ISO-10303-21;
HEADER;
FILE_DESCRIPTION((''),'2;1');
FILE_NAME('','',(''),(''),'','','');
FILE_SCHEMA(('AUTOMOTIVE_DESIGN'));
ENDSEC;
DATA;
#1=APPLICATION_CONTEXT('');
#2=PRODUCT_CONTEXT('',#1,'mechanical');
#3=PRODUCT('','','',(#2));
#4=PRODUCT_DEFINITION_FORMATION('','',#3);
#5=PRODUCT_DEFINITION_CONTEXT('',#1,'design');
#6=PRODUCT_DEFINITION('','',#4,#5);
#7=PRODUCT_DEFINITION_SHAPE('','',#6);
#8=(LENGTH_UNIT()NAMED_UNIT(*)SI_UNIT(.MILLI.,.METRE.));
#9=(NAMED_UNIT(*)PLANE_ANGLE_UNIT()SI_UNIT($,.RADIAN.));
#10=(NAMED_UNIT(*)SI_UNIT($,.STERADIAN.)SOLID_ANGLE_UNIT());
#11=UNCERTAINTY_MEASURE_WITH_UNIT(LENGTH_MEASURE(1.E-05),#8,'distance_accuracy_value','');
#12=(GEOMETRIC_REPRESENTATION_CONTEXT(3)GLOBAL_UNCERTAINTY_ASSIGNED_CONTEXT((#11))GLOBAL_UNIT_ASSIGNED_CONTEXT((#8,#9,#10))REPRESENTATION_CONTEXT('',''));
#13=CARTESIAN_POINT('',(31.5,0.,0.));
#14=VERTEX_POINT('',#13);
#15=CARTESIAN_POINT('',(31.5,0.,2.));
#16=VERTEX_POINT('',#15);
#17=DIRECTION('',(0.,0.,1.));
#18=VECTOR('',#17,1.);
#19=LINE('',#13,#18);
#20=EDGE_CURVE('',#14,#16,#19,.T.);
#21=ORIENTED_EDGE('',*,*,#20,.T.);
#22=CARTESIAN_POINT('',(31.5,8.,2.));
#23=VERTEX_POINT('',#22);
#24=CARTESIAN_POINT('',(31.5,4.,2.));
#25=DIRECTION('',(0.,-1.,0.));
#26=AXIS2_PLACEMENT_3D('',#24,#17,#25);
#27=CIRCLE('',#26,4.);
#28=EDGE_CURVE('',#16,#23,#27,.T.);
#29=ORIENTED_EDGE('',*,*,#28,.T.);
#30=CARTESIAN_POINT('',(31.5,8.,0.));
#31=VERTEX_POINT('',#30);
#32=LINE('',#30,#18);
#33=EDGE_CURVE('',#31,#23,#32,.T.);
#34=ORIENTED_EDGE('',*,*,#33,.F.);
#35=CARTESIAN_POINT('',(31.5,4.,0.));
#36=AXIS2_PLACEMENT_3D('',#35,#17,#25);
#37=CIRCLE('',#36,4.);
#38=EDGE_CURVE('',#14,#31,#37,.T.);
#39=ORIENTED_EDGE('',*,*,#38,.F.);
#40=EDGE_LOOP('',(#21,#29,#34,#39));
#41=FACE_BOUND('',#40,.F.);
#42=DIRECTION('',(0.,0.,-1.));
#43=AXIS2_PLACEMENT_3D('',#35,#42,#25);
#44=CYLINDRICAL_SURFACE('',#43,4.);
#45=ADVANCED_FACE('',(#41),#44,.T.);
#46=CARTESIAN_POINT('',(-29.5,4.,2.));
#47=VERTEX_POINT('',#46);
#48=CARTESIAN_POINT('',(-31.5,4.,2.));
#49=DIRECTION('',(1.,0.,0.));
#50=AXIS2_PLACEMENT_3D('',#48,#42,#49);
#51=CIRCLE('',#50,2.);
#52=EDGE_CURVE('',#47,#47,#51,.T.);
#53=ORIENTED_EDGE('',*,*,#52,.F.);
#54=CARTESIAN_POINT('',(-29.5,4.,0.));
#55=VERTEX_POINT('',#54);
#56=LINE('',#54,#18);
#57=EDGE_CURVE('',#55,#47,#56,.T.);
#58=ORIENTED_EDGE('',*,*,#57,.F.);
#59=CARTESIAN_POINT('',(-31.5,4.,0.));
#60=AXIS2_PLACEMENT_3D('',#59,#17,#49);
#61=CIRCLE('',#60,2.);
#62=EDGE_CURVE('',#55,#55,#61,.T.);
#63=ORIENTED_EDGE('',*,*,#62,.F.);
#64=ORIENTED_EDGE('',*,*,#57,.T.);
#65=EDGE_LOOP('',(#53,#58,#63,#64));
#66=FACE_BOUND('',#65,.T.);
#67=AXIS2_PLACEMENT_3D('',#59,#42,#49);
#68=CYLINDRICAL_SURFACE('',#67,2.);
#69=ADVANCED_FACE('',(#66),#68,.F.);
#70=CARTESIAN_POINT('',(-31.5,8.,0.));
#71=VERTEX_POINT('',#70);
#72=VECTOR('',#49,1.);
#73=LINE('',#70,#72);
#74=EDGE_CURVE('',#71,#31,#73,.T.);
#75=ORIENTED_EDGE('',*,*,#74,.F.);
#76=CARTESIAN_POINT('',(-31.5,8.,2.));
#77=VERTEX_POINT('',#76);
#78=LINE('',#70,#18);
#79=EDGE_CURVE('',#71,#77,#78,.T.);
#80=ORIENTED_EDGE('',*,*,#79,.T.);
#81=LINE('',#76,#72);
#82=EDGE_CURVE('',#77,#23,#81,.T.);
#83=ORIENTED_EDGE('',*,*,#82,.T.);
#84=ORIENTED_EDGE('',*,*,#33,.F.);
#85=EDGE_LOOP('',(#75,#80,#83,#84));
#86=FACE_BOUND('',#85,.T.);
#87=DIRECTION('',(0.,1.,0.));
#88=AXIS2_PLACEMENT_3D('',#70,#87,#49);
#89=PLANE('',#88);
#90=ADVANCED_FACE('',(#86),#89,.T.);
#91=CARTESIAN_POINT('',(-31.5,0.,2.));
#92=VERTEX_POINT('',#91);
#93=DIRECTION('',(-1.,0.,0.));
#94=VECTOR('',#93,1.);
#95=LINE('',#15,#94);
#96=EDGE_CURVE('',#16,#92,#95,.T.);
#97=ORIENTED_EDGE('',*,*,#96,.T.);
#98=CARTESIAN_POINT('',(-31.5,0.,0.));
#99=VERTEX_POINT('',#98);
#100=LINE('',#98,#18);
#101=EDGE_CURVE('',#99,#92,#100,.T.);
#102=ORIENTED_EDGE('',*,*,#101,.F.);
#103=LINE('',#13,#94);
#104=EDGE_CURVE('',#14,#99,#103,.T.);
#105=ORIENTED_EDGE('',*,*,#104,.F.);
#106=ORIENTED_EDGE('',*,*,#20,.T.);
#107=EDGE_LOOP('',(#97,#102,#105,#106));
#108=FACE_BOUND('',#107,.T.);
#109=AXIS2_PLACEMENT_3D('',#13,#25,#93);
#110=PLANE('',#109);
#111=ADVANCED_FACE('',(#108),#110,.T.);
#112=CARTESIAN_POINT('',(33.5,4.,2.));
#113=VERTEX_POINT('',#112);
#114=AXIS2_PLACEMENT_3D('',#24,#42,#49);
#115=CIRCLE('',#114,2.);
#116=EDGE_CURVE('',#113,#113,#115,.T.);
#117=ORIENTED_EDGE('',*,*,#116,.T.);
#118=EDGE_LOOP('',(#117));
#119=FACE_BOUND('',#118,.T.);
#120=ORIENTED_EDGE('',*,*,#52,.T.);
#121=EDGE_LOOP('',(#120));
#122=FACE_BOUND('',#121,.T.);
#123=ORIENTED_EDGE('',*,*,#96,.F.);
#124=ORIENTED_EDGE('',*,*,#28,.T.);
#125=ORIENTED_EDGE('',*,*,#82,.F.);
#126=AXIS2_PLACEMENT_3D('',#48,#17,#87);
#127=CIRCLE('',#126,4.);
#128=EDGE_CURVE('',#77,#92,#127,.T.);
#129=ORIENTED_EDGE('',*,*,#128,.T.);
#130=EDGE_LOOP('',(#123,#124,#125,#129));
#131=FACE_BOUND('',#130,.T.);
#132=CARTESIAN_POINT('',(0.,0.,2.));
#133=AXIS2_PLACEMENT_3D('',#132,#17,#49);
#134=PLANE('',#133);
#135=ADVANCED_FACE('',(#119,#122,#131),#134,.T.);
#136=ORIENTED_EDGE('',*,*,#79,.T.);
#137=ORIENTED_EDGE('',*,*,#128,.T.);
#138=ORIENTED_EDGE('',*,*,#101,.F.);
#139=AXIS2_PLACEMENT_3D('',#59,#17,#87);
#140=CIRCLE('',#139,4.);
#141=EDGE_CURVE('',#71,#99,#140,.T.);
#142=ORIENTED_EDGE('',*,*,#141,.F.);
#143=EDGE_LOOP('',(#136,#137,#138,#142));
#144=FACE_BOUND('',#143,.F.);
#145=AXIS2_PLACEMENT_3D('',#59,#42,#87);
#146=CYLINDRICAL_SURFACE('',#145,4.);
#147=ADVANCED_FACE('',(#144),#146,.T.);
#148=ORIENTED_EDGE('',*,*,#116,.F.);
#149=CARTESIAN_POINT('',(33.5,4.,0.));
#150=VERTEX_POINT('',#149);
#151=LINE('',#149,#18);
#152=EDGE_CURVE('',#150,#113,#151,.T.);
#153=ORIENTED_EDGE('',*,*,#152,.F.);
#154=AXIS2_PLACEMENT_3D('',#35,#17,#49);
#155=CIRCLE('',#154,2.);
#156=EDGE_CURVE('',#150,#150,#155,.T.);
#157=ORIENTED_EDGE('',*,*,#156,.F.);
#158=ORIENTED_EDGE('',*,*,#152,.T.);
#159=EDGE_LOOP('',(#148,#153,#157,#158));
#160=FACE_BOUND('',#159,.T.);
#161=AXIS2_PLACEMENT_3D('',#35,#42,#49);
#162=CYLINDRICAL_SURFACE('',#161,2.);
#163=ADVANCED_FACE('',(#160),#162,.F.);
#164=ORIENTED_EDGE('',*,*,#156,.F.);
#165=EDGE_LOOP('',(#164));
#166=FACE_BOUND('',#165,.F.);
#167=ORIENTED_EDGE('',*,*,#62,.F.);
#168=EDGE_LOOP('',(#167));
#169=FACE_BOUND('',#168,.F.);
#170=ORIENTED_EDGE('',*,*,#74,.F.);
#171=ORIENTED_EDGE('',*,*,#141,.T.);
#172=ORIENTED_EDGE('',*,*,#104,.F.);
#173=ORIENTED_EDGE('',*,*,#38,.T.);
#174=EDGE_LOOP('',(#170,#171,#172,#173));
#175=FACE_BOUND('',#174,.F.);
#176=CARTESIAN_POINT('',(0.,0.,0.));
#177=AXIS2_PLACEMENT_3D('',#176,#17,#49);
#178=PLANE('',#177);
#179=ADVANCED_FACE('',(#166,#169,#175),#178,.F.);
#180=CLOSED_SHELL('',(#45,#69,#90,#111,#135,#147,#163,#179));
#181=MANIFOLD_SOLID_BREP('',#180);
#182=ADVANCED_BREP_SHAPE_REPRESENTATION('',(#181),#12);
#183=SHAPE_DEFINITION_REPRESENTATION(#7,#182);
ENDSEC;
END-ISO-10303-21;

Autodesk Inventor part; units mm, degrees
ref_plane "YZ Plane" through (0, 0, 0) normal (1, 0, 0) x (0, 1, 0)
ref_plane "XZ Plane" through (0, 0, 0) normal (0, 1, 0) x (-1, 0, 0)
ref_plane "XY Plane" through (0, 0, 0) normal (0, 0, 1) x (1, 0, 0)
sketch "Boceto1" plane through (0, 0, 0) normal (0, 0, 1) x (1, 0, 0)
  line L0 (-31.5, 8) -> (31.5, 8)
  line L1 (31.5, 8) -> (31.5, 0)
  line L2 (31.5, 0) -> (-31.5, 0)
  line L3 (-31.5, 0) -> (-31.5, 8)
  arc A0 (-31.5, 8) -> (-31.5, 0) centre (-31.5, 4) ccw
  arc A1 (31.5, 0) -> (31.5, 8) centre (31.5, 4) ccw
  circle A2 centre (-31.5, 4) radius 2
  circle A3 centre (31.5, 4) radius 2
  point P0 (0, 0)
  point P1 (0, 0)
  dimension "d0" = 8
  dimension "d3" = 63
  dimension "d4" = 4
  dimension "d5" = 4
extrude "Extrusión1" add sketch "Boceto1" along normal blind 2 contours L0 L1 A3 L2 L3 A2 | L3 A2 A0 | A1 L1 A3
equation "\"d5\" = d4"
properties part number "2-HUDSON-8-32-TDR HAND PUMP LINK"
